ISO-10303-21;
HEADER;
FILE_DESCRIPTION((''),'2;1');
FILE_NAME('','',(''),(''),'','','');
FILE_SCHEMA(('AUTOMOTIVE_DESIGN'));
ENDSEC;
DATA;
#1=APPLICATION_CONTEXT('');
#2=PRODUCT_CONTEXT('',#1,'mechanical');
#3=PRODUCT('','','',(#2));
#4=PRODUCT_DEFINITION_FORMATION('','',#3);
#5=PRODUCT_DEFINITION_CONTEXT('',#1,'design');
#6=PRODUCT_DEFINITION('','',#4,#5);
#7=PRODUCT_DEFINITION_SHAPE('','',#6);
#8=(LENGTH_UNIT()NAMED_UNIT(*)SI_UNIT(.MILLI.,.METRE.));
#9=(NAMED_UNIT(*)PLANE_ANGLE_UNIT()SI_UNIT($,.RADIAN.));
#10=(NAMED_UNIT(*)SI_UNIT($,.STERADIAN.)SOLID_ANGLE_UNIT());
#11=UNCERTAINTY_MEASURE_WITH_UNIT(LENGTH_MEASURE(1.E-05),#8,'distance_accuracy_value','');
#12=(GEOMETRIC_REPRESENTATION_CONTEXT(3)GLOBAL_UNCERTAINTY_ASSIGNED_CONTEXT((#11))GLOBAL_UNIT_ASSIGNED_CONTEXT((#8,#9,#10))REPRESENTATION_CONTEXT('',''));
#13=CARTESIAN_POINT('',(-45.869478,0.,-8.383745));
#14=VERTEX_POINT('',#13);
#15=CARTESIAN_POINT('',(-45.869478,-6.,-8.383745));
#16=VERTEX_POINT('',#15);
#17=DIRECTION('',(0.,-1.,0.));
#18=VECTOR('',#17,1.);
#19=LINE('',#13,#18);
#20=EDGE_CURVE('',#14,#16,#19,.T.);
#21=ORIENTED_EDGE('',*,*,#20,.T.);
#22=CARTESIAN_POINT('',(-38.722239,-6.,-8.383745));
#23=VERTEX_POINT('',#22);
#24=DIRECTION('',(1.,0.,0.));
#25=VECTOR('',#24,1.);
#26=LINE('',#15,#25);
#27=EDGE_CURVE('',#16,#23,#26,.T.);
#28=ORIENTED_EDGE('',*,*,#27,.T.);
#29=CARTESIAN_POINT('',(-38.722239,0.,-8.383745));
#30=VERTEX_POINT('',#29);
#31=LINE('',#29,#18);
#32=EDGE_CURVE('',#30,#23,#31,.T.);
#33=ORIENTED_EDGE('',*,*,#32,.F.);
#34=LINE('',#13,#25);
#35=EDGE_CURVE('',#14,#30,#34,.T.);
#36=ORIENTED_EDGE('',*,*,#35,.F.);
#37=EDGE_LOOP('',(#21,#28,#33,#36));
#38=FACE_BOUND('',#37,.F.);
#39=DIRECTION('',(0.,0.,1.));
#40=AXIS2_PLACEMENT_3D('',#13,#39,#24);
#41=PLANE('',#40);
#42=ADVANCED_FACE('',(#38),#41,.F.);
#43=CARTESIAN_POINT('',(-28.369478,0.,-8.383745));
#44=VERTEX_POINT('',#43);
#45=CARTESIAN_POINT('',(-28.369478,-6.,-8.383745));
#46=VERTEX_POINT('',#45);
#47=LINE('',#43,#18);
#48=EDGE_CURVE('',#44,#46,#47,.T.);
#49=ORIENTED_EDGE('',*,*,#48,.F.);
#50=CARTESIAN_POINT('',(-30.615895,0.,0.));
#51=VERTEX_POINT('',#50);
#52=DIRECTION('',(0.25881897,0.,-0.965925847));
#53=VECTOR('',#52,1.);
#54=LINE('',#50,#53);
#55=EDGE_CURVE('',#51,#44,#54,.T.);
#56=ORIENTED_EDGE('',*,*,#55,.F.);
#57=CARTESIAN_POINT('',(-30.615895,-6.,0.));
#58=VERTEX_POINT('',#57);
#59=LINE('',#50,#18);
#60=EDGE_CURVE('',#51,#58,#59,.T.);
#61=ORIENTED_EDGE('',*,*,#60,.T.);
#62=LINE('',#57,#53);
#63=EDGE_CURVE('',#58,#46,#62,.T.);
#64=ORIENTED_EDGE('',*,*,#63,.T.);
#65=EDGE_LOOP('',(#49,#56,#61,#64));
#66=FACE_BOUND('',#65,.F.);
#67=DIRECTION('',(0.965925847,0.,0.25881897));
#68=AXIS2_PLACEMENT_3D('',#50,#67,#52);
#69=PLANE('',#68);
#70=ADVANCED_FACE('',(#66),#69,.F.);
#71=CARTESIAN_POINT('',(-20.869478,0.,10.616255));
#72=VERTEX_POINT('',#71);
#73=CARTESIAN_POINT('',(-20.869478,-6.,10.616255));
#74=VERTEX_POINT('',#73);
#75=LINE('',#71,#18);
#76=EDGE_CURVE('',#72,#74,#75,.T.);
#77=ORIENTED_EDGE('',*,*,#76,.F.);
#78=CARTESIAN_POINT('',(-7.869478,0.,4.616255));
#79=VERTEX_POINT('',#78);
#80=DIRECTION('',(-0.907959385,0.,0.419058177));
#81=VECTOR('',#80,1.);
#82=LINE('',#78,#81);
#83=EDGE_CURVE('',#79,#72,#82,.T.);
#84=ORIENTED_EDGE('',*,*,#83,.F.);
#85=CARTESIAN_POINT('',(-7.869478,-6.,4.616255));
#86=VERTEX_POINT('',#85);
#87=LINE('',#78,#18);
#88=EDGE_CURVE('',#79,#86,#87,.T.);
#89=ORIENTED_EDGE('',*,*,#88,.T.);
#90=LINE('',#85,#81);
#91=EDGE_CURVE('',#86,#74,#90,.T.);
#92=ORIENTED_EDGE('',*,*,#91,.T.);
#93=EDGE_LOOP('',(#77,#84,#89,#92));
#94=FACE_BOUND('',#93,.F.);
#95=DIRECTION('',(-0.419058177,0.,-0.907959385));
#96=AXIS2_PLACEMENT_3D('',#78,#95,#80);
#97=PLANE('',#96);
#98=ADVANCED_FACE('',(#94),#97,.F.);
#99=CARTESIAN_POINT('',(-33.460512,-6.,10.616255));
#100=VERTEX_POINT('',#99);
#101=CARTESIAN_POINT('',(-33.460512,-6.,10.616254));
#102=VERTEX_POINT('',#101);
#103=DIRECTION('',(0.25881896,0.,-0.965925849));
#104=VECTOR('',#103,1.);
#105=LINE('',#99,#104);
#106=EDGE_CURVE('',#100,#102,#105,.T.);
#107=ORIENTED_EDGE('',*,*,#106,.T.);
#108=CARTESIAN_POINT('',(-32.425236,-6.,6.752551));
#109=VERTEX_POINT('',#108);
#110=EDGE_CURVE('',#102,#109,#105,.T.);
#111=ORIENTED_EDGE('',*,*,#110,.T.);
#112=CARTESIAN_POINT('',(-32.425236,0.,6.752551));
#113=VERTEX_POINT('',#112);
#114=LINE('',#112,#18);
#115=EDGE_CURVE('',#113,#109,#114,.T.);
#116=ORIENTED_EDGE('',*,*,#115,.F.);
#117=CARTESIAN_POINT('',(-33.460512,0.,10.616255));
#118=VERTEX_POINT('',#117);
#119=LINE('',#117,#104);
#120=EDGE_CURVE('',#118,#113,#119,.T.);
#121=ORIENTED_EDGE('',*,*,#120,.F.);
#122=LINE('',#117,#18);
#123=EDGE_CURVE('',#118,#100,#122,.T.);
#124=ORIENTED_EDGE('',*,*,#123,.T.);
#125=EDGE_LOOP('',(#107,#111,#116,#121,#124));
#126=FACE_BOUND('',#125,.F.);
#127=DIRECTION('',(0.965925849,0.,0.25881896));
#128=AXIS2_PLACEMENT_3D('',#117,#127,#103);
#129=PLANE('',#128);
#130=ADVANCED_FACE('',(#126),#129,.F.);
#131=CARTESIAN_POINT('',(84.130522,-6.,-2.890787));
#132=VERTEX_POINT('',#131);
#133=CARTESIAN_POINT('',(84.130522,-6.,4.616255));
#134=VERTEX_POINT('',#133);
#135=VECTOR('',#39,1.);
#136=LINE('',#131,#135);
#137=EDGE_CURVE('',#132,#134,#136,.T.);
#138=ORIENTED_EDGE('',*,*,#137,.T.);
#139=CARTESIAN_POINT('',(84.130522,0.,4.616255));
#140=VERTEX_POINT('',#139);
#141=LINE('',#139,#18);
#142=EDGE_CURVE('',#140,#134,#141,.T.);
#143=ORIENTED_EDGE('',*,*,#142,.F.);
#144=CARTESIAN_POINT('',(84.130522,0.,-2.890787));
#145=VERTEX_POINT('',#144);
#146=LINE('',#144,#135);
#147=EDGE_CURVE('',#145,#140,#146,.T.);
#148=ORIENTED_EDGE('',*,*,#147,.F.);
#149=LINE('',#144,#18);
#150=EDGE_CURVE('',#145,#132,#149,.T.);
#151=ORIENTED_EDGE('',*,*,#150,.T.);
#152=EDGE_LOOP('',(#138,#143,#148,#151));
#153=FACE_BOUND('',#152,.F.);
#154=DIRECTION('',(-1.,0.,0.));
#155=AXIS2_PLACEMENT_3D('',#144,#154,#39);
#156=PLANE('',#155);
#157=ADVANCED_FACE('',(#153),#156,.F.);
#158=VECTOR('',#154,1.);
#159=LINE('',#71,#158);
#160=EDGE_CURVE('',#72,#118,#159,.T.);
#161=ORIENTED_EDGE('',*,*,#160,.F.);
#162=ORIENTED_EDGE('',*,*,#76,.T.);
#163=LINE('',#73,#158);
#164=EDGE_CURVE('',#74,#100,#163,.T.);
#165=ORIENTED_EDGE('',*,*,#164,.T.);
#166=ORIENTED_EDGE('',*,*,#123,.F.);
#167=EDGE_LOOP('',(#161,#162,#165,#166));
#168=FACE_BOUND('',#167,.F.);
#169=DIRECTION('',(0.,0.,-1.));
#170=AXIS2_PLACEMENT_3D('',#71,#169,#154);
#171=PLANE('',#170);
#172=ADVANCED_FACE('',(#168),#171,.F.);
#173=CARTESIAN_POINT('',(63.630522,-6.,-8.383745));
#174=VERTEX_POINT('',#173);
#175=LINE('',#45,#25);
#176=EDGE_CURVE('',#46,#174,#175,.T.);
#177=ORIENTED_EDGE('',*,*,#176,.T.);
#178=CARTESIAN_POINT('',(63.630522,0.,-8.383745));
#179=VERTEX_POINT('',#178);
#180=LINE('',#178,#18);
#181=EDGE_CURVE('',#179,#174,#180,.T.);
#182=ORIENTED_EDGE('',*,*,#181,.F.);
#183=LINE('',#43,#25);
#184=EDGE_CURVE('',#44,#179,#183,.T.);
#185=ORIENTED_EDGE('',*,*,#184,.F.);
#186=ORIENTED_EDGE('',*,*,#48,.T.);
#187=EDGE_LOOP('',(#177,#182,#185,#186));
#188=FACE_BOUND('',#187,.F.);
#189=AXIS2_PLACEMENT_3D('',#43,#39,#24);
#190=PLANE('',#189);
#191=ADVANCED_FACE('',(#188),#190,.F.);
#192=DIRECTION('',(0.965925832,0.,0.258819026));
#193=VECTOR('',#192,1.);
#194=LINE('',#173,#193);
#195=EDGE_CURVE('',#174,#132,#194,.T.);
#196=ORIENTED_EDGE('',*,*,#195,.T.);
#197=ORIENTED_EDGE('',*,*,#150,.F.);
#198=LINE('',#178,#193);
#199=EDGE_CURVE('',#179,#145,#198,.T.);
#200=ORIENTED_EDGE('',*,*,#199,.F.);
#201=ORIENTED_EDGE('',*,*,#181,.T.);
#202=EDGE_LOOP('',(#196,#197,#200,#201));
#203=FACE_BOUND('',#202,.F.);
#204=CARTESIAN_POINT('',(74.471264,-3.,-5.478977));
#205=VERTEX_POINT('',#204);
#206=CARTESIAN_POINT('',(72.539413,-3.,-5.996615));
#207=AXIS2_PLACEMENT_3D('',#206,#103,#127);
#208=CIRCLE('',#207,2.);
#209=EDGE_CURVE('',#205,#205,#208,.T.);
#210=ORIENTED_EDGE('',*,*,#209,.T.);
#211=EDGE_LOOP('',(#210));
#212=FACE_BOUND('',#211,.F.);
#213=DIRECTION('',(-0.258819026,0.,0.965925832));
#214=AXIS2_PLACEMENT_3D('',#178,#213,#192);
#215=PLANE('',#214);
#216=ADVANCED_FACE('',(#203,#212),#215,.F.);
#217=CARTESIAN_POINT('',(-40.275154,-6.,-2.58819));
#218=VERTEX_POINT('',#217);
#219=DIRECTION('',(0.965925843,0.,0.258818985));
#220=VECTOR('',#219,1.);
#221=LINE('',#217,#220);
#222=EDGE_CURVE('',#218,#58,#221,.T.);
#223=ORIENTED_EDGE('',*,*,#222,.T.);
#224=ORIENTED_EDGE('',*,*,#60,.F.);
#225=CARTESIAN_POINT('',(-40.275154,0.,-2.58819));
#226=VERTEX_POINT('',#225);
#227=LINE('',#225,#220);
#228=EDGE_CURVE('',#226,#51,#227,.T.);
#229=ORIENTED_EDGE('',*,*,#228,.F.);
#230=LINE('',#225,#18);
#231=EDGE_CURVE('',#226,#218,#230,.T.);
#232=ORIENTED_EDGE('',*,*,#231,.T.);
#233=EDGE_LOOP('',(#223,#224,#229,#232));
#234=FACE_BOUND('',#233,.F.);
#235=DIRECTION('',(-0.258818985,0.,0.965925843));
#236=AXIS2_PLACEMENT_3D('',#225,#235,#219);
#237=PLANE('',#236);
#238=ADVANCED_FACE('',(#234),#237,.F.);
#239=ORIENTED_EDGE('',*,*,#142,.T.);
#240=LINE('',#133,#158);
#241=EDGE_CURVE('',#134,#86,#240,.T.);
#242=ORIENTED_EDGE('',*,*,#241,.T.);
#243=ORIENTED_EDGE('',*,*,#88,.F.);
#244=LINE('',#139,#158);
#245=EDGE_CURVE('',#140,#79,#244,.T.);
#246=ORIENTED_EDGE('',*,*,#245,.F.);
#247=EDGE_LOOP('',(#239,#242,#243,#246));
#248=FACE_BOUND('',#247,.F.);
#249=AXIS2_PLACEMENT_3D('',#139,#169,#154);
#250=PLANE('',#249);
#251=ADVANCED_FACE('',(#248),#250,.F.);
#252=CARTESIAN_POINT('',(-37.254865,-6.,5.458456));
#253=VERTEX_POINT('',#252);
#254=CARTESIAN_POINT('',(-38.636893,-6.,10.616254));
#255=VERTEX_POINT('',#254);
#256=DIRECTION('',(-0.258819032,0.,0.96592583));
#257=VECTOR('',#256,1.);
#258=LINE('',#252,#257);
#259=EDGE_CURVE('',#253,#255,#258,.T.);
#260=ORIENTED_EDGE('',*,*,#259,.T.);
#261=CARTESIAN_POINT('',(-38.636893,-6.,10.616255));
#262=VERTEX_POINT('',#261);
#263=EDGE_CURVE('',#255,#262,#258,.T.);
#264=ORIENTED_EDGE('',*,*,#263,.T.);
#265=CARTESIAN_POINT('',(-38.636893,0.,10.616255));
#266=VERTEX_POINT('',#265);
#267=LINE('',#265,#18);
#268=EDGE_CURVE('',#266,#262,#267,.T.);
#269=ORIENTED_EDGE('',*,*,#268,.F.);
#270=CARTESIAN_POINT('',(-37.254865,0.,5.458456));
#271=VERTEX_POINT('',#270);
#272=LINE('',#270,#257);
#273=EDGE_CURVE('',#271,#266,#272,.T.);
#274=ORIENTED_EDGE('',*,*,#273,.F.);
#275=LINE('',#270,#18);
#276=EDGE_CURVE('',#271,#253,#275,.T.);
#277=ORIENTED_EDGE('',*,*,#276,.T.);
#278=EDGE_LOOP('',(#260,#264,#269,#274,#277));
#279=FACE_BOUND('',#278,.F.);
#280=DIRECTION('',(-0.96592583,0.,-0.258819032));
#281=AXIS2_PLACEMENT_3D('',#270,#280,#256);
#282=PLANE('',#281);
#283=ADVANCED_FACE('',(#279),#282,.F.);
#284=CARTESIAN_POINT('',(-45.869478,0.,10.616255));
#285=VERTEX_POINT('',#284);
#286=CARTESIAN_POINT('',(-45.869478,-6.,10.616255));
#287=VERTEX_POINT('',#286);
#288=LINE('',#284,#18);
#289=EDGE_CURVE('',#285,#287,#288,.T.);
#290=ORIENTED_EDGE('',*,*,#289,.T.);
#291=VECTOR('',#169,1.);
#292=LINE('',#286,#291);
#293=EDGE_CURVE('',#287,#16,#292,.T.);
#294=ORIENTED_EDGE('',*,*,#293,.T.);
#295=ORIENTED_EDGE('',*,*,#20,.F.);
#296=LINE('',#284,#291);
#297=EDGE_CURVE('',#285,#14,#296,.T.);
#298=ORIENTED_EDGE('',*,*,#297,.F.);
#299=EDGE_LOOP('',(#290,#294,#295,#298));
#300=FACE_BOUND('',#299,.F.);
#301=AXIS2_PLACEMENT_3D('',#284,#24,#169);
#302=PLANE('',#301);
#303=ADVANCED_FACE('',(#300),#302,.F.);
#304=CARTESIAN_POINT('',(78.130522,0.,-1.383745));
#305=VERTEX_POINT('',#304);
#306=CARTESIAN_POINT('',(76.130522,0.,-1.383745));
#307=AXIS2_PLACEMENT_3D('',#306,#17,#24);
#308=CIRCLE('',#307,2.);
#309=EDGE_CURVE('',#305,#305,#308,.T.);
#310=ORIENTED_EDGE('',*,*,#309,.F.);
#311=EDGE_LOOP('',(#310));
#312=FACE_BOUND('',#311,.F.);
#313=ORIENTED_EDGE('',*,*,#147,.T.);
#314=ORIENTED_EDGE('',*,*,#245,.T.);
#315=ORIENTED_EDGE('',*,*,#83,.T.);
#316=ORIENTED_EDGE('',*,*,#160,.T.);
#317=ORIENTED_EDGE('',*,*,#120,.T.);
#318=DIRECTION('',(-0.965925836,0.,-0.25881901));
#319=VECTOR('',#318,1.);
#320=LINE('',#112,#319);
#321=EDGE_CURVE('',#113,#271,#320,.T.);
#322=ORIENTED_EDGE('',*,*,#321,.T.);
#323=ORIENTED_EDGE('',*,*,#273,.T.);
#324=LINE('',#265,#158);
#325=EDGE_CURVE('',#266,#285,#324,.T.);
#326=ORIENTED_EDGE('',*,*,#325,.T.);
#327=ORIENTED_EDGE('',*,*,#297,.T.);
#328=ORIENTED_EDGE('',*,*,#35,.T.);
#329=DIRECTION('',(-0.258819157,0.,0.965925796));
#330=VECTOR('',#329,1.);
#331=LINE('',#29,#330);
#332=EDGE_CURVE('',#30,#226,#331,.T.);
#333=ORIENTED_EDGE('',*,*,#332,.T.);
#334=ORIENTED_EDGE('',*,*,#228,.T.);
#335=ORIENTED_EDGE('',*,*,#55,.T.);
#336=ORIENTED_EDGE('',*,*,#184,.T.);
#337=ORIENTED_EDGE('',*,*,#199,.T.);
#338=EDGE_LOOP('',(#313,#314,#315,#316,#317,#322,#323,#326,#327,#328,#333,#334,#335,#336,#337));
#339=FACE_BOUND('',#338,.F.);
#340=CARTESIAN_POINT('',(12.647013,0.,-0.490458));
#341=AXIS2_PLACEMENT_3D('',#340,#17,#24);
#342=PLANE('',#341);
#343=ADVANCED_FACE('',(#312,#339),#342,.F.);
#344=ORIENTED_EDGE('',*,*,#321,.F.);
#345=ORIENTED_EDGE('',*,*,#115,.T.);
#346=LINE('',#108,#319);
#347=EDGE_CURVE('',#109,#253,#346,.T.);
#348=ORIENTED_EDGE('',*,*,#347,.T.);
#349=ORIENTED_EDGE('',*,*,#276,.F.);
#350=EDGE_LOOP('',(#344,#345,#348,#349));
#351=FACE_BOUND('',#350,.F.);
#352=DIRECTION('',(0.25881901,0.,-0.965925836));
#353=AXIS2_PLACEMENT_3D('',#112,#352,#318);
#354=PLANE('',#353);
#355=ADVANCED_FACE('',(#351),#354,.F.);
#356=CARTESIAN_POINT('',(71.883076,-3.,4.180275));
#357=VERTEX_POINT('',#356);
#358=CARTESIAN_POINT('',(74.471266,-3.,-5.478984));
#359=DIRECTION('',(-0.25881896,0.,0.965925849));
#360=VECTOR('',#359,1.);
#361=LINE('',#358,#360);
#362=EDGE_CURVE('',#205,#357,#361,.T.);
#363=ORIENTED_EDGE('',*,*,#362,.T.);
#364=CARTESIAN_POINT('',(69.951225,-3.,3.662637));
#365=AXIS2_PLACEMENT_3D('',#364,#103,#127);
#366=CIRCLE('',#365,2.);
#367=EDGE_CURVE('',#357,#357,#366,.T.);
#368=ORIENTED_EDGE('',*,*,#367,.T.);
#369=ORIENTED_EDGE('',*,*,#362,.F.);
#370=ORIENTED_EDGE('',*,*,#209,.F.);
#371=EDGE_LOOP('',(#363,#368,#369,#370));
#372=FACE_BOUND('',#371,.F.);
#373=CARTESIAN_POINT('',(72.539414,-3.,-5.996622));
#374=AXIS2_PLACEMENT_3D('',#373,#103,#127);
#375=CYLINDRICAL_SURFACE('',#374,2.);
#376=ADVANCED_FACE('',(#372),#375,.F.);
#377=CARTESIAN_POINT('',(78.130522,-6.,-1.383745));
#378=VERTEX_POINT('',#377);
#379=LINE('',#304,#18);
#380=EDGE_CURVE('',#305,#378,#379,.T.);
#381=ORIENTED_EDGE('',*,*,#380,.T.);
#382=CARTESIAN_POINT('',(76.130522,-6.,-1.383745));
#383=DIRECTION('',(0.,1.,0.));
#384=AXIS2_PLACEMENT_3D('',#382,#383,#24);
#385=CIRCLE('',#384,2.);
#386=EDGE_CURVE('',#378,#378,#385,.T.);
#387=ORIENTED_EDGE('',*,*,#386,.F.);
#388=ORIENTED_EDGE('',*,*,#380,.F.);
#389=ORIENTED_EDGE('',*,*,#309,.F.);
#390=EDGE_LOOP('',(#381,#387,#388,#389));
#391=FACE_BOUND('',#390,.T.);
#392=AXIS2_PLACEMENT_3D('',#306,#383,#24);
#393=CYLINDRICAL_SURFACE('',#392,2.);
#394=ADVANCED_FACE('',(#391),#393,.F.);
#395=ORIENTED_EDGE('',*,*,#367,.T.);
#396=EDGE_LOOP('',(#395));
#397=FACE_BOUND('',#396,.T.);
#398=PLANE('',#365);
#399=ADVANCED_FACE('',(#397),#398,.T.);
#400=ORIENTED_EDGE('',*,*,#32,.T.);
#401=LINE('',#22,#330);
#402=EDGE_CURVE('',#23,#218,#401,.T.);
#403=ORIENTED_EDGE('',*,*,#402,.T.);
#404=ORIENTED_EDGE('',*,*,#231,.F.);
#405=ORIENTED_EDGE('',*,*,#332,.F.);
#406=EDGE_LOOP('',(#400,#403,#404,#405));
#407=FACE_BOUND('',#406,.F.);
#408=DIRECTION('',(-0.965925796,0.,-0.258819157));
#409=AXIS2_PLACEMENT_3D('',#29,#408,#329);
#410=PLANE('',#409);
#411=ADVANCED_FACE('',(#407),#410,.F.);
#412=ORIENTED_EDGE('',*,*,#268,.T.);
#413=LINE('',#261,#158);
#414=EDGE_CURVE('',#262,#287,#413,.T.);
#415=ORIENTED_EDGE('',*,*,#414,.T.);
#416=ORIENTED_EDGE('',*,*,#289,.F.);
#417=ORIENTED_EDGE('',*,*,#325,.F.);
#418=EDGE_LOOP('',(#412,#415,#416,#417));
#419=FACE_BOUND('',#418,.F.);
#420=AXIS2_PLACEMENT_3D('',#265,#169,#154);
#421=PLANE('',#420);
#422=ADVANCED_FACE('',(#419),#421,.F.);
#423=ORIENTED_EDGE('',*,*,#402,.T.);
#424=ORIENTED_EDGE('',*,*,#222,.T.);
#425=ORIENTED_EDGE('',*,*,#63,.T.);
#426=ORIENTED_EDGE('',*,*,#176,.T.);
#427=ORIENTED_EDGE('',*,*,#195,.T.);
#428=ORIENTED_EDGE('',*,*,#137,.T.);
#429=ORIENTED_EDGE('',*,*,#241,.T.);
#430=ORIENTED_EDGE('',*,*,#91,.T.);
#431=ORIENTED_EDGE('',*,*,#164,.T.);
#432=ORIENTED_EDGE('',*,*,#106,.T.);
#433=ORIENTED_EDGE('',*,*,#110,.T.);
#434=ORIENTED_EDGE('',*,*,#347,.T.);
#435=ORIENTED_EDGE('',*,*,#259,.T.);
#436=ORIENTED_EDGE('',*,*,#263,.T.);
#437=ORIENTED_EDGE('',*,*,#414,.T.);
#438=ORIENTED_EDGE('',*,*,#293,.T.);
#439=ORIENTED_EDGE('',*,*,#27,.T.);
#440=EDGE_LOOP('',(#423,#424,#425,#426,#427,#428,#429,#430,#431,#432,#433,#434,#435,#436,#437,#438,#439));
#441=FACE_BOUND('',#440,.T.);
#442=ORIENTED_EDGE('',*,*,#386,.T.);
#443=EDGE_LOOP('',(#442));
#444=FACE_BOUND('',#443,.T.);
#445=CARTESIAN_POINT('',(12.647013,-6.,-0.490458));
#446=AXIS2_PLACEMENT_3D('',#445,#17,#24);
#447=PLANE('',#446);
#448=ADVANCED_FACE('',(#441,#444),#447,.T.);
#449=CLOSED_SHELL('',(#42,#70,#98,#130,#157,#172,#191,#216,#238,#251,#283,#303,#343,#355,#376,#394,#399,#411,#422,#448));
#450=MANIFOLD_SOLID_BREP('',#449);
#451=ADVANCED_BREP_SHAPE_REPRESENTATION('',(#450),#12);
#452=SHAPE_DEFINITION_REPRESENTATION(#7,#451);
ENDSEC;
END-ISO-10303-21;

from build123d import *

# Parameters (mm, degrees)
F1_DEPTH = 6
F2_R     = 2
F3_DEPTH = 25
F4_R     = 2
F5_DEPTH = 10


with BuildPart() as f1:
    # F0 (on Front) → F1 (new body)
    with BuildSketch(Plane.XZ):
        Polygon((-38.636893, 10.616255), (-45.869478, 10.616255), (-45.869478, -8.383745), (-38.722239, -8.383745), (-40.275154, -2.58819), (-30.615895, 0), (-28.369478, -8.383745), (63.630522, -8.383745), (84.130522, -2.890787), (84.130522, 4.616255), (-7.869478, 4.616255), (-20.869478, 10.616255), (-33.460512, 10.616255), (-32.425236, 6.752551), (-37.254865, 5.458456), align=None)
    extrude(amount=F1_DEPTH)

    # F2 (on Front) + F1_face (on face) → F3 (cut)
    with BuildSketch(Plane.XZ):
        with Locations((76.130522, -1.383745)):
            Circle(F2_R)
    with BuildSketch(Plane(origin=(14.871895, -6, -0.728123), x_dir=(1, 0, 0), z_dir=(0, -1, 0))):
        Polygon((-52.12676, 6.186579), (-53.508788, 11.344377), (-60.741372, 11.344377), (-60.741372, -7.655623), (-53.594134, -7.655623), (-55.147048, -1.860068), (-45.48779, 0.728123), (-43.241372, -7.655623), (48.758628, -7.655623), (69.258628, -2.162664), (69.258628, 5.344377), (-22.741372, 5.344377), (-35.741372, 11.344377), (-48.332407, 11.344377), (-47.297131, 7.480674), align=None)
    extrude(amount=F3_DEPTH, mode=Mode.SUBTRACT)

    # F4 (on face) → F5 (cut)
    with BuildSketch(Plane(origin=(6.358373, 0, -23.729772), x_dir=(0.965926, 0, 0.258819), z_dir=(0.258819, 0, -0.965926))):
        with Locations((68.515654, 3)):
            Circle(F4_R)
    extrude(amount=-F5_DEPTH, mode=Mode.SUBTRACT)


solid = f1.part
